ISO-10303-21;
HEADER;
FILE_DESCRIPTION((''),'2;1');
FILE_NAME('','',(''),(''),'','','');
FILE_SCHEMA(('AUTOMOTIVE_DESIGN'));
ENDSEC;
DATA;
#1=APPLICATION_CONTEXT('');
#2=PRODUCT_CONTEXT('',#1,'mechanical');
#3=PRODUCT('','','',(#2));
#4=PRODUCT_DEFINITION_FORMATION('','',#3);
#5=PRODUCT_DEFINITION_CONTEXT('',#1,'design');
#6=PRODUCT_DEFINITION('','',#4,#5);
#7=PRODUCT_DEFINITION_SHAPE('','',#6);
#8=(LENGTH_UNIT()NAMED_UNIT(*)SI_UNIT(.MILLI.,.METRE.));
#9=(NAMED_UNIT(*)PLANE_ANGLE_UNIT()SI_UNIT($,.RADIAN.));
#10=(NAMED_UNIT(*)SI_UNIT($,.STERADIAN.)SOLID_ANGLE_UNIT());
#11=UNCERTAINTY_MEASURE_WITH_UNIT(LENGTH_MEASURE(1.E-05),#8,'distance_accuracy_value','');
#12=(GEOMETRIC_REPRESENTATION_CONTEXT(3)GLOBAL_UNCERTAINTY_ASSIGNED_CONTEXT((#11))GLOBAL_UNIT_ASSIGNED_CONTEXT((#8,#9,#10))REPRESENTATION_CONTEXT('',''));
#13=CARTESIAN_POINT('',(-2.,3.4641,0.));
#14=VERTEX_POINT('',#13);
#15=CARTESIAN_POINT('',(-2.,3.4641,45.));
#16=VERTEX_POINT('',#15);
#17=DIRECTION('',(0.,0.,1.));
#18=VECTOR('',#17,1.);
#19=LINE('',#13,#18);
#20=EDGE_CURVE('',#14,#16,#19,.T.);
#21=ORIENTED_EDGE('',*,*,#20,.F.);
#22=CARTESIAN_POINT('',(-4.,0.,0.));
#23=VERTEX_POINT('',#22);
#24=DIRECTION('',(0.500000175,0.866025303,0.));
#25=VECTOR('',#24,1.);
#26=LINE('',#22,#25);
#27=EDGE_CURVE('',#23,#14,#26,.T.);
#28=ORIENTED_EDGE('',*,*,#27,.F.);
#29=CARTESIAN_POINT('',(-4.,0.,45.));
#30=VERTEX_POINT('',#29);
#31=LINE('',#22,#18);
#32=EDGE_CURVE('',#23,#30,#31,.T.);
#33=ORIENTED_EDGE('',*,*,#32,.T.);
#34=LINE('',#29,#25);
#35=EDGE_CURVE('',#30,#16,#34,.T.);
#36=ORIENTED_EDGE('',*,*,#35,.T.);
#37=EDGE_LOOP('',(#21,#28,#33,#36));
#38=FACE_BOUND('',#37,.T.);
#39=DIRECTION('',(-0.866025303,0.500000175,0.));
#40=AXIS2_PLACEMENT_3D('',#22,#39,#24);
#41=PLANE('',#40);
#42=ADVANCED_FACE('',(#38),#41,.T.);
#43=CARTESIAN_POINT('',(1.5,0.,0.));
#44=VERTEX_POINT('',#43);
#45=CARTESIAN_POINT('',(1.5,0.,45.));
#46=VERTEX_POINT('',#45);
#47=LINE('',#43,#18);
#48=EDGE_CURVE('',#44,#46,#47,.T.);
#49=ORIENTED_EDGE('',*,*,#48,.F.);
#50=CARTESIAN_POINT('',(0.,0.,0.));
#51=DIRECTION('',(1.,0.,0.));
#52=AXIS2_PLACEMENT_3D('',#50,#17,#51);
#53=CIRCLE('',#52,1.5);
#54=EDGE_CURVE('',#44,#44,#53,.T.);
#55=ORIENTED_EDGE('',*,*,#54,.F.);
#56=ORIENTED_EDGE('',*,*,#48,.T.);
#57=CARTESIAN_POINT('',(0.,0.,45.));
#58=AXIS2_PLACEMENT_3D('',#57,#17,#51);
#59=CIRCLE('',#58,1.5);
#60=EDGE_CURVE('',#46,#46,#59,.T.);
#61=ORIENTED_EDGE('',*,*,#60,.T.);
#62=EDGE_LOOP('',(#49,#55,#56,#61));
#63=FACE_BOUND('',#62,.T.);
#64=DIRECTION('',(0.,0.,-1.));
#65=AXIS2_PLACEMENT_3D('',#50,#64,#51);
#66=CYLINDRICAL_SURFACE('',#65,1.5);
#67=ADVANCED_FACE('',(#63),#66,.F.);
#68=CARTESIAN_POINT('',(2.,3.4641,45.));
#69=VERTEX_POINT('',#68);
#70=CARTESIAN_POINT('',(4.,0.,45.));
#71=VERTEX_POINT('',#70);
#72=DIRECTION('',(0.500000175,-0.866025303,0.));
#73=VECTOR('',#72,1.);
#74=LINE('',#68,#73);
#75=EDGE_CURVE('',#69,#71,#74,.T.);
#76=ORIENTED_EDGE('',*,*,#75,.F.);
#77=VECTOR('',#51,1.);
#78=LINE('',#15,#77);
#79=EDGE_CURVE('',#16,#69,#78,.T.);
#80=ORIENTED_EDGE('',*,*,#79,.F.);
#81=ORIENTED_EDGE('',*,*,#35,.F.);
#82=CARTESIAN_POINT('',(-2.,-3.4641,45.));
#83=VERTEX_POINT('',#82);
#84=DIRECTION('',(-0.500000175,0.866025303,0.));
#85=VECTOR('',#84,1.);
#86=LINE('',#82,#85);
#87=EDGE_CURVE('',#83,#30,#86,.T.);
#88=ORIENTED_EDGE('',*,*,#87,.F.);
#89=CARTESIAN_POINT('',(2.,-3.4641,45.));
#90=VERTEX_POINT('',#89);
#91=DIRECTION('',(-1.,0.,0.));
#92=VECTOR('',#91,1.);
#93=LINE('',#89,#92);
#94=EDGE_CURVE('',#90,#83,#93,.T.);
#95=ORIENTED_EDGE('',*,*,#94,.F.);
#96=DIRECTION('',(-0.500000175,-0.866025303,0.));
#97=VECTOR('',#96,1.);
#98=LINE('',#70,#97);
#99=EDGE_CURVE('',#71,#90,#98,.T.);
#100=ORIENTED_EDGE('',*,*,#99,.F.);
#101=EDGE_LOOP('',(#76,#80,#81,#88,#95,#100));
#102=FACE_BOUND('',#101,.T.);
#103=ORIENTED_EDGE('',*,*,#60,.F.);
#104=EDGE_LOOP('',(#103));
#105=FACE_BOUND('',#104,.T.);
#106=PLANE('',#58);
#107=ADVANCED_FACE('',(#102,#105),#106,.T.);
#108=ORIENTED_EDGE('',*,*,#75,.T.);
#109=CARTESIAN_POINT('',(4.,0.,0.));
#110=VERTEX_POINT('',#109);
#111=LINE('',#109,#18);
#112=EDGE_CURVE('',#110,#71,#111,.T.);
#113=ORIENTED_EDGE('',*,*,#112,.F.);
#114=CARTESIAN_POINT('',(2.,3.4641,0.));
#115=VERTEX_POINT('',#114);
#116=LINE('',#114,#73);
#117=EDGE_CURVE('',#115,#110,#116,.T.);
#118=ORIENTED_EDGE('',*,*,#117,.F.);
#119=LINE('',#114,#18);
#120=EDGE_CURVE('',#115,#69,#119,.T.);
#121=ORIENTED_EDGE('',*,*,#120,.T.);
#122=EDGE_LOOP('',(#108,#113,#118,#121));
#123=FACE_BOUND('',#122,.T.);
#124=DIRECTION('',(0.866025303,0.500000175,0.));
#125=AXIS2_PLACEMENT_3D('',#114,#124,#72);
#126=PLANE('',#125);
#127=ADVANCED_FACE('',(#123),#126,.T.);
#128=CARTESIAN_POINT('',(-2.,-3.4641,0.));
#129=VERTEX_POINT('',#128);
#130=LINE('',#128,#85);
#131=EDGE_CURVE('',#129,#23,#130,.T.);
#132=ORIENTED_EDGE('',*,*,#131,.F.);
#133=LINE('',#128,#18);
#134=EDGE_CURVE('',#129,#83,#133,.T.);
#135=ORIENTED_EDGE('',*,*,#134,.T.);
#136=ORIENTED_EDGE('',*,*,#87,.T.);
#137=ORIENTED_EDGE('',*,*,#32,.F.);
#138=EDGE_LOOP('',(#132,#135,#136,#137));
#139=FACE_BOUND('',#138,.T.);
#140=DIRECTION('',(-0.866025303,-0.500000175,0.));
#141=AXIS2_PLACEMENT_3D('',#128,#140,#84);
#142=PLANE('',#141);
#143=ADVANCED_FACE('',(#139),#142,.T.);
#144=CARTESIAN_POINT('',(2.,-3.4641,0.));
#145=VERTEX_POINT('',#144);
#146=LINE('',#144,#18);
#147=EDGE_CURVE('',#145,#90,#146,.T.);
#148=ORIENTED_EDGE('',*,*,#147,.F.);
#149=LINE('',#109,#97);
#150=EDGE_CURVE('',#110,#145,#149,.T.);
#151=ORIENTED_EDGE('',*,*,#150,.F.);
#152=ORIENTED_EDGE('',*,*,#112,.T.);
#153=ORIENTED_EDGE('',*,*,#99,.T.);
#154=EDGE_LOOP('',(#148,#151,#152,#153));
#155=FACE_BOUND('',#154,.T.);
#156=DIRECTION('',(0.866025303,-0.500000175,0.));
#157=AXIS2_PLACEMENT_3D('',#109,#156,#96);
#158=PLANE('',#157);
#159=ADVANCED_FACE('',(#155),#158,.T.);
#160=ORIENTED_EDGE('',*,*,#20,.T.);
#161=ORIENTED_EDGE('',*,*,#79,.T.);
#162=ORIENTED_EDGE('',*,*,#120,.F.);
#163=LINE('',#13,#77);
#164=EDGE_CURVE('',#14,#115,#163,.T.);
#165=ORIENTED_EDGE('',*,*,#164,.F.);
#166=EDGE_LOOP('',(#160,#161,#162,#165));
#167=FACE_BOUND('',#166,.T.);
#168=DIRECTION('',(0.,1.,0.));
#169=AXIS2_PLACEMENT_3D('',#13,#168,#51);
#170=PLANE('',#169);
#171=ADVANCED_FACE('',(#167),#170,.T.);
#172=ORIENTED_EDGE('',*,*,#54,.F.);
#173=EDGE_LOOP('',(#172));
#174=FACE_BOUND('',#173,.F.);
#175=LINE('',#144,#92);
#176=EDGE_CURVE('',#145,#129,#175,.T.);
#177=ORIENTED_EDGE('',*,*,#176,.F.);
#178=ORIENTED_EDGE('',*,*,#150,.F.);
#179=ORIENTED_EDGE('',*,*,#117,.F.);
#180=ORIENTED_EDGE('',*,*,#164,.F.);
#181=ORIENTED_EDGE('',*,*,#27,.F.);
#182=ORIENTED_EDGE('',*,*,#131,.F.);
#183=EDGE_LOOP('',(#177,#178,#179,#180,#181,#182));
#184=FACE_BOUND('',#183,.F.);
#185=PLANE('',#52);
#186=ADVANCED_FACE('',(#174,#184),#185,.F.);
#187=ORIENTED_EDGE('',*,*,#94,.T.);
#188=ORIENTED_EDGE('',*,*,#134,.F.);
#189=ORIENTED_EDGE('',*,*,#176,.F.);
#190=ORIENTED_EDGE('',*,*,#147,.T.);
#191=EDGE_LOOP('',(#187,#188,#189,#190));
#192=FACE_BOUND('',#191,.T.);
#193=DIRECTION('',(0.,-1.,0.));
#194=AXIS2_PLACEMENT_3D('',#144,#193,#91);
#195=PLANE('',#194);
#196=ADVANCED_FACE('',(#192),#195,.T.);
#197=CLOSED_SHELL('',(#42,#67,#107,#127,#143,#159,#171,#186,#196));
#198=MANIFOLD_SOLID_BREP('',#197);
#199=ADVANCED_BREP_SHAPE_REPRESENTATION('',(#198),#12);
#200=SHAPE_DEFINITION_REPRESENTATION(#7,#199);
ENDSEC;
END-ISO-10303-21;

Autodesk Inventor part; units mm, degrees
ref_plane "YZ Plane" through (0, 0, 0) normal (1, 0, 0) x (0, 1, 0)
ref_plane "XZ Plane" through (0, 0, 0) normal (0, 1, 0) x (-1, 0, 0)
ref_plane "XY Plane" through (0, 0, 0) normal (0, 0, 1) x (1, 0, 0)
sketch "Sketch1" plane through (0, 0, 0) normal (0, 0, 1) x (1, 0, 0)
  circle A0 centre (0, 0) radius 1.5
  line L0 (4, 0) -> (2, -3.4641)
  line L1 (2, -3.4641) -> (-2, -3.4641)
  line L2 (-2, -3.4641) -> (-4, 0)
  line L3 (-4, 0) -> (-2, 3.4641)
  line L4 (-2, 3.4641) -> (2, 3.4641)
  line L5 (2, 3.4641) -> (4, 0)
  dimension "d0" = 3
extrude "Extrusion1" add sketch "Sketch1" along normal blind 45
properties part number "trudong45mm"
